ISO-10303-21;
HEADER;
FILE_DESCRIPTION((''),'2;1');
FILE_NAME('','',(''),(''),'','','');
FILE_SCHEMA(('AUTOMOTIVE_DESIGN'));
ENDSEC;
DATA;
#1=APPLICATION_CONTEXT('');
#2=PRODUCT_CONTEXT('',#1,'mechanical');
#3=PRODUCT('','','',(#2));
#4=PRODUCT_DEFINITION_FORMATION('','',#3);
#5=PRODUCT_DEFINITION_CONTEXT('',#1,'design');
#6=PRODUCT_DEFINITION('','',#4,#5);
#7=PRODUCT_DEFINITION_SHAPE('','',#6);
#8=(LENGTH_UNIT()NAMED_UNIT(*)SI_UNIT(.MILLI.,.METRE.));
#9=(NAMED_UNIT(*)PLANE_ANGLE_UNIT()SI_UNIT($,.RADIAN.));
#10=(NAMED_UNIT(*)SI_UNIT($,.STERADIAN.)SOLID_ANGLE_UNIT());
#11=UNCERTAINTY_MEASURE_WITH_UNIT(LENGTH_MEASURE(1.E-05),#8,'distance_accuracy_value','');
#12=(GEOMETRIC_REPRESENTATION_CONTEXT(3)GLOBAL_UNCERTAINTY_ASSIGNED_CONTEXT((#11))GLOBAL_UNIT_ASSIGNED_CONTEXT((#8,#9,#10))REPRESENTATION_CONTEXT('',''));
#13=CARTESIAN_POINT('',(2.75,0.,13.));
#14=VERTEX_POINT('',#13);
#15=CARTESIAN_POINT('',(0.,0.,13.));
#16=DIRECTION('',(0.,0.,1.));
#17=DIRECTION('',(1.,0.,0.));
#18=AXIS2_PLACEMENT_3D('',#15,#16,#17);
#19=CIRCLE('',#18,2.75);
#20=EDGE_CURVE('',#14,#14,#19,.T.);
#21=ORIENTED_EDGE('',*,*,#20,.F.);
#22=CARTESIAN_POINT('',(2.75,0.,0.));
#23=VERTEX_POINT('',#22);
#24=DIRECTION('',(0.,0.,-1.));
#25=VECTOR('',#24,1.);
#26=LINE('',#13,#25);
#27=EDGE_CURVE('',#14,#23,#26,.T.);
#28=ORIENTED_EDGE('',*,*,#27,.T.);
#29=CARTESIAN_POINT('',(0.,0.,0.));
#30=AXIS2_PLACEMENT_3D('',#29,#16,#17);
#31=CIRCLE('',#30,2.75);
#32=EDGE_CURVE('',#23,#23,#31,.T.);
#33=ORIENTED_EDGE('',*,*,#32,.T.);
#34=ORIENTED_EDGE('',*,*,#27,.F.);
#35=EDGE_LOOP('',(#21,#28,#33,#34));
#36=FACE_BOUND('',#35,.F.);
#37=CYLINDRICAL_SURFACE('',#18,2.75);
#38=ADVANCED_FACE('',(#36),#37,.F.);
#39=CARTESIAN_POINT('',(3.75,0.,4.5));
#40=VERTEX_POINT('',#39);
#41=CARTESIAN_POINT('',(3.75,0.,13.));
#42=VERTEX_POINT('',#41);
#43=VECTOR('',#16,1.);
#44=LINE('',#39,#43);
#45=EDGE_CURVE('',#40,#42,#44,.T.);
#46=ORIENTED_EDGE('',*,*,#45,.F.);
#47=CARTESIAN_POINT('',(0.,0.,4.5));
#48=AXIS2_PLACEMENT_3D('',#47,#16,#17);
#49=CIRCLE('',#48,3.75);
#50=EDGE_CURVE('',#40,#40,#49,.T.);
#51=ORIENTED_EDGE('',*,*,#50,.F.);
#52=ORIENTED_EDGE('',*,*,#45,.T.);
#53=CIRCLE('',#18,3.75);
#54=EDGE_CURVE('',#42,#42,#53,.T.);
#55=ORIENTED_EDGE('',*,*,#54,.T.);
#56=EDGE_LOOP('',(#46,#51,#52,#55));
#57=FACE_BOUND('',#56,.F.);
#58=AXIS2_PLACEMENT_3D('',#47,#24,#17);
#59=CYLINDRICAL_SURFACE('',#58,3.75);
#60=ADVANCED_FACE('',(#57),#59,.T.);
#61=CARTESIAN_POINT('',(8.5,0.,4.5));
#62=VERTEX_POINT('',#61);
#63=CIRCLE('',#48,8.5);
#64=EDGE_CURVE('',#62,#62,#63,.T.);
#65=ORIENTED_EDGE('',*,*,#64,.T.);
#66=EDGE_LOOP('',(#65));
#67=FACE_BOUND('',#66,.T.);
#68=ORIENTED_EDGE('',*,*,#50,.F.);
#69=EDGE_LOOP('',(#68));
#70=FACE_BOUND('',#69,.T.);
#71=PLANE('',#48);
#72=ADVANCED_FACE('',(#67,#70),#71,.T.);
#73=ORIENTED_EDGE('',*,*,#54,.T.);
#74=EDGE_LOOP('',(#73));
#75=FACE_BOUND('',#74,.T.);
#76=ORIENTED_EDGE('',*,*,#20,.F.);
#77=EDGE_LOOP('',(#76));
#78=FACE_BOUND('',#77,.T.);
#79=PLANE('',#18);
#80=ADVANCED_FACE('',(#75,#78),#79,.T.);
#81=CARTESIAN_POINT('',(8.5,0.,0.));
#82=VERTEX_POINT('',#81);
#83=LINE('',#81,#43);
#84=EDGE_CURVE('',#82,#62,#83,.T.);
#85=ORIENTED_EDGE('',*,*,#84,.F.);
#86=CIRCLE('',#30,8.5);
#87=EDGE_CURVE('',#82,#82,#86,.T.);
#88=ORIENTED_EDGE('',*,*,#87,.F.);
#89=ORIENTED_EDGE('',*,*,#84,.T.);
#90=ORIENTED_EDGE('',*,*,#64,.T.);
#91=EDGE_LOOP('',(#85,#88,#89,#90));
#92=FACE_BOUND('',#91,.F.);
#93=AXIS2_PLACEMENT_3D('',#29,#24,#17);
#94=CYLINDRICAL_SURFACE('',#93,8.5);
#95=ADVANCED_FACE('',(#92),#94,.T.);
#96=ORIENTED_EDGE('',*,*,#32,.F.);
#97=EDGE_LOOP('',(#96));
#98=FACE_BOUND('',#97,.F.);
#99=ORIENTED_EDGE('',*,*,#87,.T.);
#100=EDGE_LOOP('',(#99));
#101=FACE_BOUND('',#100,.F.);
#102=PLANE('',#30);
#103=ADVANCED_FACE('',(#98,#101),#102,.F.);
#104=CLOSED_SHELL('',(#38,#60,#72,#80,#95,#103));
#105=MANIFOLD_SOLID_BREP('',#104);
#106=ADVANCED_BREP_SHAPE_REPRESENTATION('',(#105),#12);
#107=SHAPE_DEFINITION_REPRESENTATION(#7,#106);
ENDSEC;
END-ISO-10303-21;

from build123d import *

# Parameters (mm, degrees)
SKETCH_R     = 8.5
PAD_DEPTH    = 4.5
SKETCH001_R  = 3.75
PAD001_DEPTH = 8.5
SKETCH002_R  = 2.75
POCKET_DEPTH = 13.001


with BuildPart() as part:
    # Sketch → Pad (new body)
    with BuildSketch(Plane.XY):
        Circle(SKETCH_R)
    extrude(amount=PAD_DEPTH)

    # Sketch001 (on Face3 of Pad) → Pad001 (join)
    with BuildSketch(Plane.XY.offset(4.5)):
        Circle(SKETCH001_R)
    extrude(amount=PAD001_DEPTH)

    # Sketch002 (on Face5 of Pad001) → Pocket (cut, through all)
    with BuildSketch(Plane.XY.offset(13)):
        Circle(SKETCH002_R)
    extrude(amount=-POCKET_DEPTH, mode=Mode.SUBTRACT)


solid = part.part
